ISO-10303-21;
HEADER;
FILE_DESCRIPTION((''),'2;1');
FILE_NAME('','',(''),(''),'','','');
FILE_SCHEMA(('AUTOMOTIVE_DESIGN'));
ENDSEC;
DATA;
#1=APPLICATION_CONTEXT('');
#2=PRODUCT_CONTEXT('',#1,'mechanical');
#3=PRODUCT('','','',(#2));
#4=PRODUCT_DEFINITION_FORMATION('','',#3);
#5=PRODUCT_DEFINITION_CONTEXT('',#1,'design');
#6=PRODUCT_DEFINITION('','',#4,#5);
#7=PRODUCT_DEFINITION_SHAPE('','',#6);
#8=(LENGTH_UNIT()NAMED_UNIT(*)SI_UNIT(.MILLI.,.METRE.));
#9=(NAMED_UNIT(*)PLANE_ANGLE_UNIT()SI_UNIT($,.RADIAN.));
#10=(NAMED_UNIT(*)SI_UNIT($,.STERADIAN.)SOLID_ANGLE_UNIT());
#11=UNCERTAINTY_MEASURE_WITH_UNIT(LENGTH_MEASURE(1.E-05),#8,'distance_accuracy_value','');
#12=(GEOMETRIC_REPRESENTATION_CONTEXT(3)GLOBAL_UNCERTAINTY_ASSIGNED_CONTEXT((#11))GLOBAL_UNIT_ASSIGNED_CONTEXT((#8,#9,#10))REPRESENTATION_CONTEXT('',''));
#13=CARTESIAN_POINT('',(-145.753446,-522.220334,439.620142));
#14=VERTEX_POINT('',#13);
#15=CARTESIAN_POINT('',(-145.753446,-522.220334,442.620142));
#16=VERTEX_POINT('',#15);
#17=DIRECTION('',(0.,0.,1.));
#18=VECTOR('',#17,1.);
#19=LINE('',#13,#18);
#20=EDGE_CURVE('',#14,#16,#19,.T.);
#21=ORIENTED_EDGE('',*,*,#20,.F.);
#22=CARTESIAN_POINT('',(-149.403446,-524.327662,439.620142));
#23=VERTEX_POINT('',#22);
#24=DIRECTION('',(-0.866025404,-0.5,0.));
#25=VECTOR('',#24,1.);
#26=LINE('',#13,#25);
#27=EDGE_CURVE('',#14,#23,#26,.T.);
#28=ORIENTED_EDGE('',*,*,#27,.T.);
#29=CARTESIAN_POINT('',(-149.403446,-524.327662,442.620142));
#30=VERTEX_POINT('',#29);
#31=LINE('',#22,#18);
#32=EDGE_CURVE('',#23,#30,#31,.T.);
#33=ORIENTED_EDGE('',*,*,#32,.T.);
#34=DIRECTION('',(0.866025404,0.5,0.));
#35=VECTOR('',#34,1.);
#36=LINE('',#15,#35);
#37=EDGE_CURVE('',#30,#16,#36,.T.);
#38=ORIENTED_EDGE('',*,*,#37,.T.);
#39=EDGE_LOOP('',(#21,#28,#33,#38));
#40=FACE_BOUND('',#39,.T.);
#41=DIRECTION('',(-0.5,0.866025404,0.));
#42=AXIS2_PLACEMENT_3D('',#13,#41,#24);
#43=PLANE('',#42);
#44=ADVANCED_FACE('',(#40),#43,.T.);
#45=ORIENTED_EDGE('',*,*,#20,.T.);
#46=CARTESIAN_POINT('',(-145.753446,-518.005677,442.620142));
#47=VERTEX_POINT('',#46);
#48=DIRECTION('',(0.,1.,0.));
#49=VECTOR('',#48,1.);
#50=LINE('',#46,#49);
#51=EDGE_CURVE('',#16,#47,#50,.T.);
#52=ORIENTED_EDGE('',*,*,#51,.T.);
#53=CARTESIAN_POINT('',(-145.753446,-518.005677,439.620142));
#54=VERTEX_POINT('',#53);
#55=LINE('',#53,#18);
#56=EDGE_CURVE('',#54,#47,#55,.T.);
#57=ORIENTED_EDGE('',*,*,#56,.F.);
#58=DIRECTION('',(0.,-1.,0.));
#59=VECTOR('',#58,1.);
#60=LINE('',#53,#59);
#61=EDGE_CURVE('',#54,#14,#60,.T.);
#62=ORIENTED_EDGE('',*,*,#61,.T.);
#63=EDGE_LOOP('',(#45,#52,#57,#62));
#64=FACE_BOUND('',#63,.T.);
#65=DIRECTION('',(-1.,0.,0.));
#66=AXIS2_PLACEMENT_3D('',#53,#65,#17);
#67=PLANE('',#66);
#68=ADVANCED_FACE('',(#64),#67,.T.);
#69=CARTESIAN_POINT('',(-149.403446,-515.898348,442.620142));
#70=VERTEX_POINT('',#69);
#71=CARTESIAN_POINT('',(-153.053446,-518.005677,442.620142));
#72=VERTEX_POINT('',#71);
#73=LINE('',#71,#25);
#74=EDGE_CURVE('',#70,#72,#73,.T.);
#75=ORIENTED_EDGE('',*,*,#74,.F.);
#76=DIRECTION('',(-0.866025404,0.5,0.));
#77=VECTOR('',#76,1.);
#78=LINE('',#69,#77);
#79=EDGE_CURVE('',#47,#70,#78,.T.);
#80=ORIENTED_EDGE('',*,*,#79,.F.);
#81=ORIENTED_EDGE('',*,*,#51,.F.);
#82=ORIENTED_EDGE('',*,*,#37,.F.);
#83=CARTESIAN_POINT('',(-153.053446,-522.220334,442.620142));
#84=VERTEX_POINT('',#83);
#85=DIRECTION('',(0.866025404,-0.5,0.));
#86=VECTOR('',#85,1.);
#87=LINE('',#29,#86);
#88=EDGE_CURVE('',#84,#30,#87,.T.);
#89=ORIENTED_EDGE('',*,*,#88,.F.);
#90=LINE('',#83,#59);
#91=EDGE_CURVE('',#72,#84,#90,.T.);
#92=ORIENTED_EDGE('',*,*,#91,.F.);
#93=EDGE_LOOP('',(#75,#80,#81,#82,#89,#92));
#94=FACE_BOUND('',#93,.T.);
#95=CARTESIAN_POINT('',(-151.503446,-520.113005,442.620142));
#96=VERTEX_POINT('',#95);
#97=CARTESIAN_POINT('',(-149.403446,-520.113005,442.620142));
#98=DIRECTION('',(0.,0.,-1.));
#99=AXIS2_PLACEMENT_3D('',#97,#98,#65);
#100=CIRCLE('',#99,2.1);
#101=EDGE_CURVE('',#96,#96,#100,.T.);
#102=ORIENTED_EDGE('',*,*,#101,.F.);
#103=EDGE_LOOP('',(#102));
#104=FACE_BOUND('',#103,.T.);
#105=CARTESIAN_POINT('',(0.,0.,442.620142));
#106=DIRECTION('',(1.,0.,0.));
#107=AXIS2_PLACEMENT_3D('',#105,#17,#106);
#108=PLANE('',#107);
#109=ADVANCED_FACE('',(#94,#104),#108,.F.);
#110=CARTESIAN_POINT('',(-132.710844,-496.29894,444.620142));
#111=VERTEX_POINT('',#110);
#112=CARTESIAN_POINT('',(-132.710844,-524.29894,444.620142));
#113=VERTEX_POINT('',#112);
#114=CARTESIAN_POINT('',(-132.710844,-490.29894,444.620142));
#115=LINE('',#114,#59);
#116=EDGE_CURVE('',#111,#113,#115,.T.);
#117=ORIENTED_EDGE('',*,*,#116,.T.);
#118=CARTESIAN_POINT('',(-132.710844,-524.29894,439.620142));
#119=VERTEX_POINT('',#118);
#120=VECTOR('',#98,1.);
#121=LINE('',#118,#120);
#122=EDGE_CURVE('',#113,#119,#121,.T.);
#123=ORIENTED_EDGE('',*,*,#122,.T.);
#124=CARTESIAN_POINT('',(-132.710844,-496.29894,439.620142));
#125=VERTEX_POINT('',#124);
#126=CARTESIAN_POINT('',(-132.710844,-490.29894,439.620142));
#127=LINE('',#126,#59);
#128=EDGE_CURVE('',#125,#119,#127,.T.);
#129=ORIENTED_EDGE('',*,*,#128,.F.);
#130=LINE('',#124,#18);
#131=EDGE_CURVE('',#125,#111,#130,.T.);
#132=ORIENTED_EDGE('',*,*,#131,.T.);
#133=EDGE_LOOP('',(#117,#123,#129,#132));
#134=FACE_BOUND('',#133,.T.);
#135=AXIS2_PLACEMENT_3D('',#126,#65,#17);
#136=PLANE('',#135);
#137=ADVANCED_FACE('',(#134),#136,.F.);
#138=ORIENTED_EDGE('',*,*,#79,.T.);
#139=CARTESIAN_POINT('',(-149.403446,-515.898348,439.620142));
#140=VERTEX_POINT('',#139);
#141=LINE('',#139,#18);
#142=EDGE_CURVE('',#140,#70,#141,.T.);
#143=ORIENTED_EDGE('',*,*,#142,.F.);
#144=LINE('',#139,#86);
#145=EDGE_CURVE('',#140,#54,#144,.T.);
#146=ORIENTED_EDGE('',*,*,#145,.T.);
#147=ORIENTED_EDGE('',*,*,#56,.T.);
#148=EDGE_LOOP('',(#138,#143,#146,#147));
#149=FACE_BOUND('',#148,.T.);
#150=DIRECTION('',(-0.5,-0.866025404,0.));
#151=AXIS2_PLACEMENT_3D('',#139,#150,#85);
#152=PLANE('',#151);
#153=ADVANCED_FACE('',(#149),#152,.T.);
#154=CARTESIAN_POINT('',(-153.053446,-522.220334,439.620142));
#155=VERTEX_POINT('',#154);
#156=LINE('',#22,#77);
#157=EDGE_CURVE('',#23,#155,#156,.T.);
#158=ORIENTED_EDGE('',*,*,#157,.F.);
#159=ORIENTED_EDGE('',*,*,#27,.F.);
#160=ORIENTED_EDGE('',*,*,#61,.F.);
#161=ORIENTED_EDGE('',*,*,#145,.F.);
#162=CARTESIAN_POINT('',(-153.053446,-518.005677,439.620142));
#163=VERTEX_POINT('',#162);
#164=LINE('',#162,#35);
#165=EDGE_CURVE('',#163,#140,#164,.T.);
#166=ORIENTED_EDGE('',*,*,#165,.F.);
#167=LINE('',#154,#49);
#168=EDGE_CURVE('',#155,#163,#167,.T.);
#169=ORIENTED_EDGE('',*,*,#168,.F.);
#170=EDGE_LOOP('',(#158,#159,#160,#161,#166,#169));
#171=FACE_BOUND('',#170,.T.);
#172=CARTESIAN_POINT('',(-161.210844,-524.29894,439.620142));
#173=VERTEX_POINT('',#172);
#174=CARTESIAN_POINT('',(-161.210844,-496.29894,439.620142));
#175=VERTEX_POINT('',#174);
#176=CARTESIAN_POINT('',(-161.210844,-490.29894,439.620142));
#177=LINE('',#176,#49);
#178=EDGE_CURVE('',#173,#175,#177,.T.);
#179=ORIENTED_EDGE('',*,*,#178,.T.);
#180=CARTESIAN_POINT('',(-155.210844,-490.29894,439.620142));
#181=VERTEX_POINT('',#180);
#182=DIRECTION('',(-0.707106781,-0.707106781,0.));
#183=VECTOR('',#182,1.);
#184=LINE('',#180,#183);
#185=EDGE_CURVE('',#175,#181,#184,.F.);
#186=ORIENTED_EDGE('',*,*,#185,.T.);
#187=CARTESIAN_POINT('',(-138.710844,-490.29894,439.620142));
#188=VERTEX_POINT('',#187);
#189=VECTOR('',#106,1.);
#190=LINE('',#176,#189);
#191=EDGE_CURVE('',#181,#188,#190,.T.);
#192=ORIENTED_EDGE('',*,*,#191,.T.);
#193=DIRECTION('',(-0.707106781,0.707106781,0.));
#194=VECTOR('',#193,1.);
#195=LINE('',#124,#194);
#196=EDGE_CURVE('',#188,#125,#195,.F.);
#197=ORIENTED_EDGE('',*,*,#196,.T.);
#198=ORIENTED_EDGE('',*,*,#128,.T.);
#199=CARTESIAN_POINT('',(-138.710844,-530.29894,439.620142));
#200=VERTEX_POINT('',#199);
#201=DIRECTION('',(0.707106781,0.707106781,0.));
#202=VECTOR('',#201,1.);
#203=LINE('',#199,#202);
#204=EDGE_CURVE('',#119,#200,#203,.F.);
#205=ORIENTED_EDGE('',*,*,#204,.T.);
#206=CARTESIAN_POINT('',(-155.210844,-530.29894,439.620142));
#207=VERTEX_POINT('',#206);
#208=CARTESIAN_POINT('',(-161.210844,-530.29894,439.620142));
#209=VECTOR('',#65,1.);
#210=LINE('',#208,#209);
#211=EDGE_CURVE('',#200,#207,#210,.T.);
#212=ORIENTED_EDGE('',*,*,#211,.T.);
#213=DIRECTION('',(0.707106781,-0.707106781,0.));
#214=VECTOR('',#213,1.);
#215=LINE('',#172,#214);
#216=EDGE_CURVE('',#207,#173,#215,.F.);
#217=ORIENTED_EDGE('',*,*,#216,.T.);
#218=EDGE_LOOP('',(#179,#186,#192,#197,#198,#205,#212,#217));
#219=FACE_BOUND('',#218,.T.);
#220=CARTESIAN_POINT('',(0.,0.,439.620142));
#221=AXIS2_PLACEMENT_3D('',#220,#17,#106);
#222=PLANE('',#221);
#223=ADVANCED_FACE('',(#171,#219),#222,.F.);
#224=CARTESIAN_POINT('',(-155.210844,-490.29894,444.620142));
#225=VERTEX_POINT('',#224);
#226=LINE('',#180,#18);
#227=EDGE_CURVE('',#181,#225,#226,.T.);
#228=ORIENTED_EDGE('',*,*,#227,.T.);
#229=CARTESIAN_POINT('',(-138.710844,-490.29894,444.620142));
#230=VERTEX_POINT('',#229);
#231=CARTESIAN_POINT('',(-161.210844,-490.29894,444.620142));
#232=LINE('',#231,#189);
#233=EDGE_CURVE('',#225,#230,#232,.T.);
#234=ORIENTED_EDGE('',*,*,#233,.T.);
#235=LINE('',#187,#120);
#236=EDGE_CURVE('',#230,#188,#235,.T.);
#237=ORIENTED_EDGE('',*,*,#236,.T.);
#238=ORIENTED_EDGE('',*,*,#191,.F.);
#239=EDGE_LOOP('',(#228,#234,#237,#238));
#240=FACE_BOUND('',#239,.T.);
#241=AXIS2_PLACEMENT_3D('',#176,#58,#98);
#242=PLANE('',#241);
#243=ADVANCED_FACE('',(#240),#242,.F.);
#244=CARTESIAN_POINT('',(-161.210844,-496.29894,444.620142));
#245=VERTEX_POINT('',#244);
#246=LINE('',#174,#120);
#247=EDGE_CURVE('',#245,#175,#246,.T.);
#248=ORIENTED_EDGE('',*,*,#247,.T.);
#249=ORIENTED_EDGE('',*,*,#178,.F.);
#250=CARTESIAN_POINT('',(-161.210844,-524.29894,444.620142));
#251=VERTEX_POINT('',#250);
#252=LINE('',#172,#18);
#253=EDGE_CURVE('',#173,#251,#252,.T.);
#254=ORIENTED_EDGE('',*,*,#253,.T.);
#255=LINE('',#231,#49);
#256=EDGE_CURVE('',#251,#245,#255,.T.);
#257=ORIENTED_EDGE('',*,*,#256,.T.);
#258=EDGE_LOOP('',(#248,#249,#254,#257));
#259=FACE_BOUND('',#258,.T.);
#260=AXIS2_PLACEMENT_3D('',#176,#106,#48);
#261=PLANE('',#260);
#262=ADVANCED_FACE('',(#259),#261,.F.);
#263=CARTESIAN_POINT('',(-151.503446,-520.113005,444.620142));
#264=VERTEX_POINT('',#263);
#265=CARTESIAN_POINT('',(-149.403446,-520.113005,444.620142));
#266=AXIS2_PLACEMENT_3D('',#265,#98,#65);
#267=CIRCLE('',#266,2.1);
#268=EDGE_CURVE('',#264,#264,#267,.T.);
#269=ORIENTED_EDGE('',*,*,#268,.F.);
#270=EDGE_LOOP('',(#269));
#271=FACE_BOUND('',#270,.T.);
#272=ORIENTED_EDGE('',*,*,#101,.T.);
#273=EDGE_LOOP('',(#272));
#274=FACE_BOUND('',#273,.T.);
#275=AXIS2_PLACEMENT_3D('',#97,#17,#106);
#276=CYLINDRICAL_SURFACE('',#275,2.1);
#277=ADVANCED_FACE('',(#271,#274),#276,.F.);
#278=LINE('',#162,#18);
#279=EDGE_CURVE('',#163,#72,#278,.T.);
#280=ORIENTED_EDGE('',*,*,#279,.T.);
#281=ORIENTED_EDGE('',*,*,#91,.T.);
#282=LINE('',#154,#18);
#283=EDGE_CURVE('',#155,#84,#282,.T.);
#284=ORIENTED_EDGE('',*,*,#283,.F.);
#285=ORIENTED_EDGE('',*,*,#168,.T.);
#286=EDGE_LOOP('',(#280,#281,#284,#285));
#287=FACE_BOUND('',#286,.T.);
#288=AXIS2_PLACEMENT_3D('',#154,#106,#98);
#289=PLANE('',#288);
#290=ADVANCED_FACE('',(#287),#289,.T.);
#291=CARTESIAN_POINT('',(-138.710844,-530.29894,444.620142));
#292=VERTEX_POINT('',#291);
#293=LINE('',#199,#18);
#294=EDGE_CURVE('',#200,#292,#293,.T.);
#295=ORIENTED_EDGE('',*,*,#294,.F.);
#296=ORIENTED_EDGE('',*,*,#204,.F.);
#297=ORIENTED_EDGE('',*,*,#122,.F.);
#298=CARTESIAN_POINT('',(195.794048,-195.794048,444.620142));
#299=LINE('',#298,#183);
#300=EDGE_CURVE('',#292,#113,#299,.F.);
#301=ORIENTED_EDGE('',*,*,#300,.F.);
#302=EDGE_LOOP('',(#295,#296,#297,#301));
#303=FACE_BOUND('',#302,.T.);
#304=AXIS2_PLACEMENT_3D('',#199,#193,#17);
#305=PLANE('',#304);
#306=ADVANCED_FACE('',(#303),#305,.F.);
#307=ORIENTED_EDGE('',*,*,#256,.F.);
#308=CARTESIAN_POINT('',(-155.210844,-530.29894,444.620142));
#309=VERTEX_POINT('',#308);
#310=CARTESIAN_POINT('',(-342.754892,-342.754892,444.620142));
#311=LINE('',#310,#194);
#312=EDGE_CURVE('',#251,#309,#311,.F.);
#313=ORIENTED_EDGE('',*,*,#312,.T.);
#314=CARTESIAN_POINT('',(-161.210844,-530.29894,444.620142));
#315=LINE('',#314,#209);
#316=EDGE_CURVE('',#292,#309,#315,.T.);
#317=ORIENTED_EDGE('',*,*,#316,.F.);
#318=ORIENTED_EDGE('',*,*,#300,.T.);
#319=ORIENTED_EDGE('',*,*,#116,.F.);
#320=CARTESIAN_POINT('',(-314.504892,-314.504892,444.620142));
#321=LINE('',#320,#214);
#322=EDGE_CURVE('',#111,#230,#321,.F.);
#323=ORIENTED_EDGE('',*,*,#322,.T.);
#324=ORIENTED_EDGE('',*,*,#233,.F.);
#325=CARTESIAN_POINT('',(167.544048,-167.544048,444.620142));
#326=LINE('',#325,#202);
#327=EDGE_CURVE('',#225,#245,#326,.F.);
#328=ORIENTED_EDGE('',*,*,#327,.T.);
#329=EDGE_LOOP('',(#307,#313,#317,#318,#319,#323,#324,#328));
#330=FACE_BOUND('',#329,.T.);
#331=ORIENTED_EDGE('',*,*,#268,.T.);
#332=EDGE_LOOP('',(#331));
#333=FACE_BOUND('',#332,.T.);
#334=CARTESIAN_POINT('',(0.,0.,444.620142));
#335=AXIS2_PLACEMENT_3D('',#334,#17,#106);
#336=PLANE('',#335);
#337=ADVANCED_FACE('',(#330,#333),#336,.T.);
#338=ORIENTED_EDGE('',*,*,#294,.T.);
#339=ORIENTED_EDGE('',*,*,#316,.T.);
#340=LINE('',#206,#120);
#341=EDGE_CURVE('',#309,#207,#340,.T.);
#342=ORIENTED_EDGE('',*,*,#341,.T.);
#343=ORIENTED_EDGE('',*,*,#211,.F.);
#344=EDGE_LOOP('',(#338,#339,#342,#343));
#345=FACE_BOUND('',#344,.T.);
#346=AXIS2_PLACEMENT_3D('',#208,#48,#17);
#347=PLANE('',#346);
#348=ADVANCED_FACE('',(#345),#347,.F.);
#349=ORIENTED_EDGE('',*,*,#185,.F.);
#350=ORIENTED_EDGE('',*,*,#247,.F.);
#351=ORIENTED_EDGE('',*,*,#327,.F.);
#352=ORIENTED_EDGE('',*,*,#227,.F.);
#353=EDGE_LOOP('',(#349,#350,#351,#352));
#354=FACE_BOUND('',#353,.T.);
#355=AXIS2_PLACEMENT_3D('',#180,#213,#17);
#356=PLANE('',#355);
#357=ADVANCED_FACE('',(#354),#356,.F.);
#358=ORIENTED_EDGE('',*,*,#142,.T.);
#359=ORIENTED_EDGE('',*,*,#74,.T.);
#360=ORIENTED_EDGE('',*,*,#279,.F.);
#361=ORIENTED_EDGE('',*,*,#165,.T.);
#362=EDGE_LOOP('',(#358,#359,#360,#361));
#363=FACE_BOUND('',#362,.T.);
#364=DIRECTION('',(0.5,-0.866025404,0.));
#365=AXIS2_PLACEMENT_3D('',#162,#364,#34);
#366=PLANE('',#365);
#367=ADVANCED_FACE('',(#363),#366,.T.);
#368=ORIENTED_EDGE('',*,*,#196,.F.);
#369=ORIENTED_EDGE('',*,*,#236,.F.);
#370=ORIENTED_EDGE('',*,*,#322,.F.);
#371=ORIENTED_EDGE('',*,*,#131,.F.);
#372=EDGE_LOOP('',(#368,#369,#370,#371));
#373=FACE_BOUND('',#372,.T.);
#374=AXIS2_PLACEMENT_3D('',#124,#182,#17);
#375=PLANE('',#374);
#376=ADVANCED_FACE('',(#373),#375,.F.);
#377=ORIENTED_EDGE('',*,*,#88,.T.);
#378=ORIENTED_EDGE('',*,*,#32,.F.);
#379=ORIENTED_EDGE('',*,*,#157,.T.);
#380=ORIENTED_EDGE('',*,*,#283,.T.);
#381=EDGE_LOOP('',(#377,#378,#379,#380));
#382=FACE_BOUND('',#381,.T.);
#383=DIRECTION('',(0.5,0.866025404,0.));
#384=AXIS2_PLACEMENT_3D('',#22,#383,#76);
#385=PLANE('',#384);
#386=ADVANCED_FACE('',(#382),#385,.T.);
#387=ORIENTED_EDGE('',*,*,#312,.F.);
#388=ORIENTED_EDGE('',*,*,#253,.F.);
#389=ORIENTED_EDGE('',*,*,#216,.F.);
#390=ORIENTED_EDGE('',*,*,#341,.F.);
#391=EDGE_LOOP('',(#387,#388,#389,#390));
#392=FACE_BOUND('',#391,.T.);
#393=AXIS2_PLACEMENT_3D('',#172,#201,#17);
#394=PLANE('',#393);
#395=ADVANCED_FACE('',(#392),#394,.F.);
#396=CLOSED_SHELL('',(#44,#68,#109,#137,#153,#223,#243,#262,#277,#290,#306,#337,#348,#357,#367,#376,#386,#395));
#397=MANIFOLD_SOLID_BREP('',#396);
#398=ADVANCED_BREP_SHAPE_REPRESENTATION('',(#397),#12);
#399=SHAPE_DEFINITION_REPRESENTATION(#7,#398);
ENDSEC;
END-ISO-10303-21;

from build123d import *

# Parameters (mm, degrees)
SKETCH1_W           = 28.5
SKETCH1_H           = 40
BOSS_EXTRUDE1_DEPTH = 5
SKETCH2_W           = 28.5
SKETCH2_H           = 40
SKETCH2_R           = 2.1
BOSS_EXTRUDE2_DEPTH = 2
CHAMFER1_SIZE       = 6


with BuildPart() as part:
    # Sketch1 → Boss-Extrude1 (new body)
    with BuildSketch(Plane(origin=(0, 0, 444.620141885), x_dir=(-1, 0, 0), z_dir=(0, 0, -1))):
        with Locations((146.960843614, -510.298939869)):
            Rectangle(SKETCH1_W, SKETCH1_H)
        Polygon((149.40344611, -524.327662084), (153.05344611, -522.220333602), (153.05344611, -518.005676636), (149.40344611, -515.898348154), (145.75344611, -518.005676636), (145.75344611, -522.220333602), align=None, mode=Mode.SUBTRACT)
    extrude(amount=BOSS_EXTRUDE1_DEPTH)

    # Sketch2 → Boss-Extrude2 (add)
    with BuildSketch(Plane(origin=(0, 0, 444.620141885), x_dir=(-1, 0, 0), z_dir=(0, 0, -1))):
        with Locations((146.960843614, -510.298939869)):
            Rectangle(SKETCH2_W, SKETCH2_H)
        with Locations((149.40344611, -520.113005119)):
            Circle(SKETCH2_R, mode=Mode.SUBTRACT)
    extrude(amount=BOSS_EXTRUDE2_DEPTH)

    # Chamfer1
    chamfer1_edges = [part.edges().sort_by_distance(p)[0] for p in [
        (-161.210843614, -530.298939869, 442.120141885),
        (-132.710843614, -530.298939869, 442.120141885),
        (-132.710843614, -490.298939869, 442.120141885),
        (-161.210843614, -490.298939869, 442.120141885),
    ]]
    chamfer(chamfer1_edges, length=CHAMFER1_SIZE)


solid = part.part
